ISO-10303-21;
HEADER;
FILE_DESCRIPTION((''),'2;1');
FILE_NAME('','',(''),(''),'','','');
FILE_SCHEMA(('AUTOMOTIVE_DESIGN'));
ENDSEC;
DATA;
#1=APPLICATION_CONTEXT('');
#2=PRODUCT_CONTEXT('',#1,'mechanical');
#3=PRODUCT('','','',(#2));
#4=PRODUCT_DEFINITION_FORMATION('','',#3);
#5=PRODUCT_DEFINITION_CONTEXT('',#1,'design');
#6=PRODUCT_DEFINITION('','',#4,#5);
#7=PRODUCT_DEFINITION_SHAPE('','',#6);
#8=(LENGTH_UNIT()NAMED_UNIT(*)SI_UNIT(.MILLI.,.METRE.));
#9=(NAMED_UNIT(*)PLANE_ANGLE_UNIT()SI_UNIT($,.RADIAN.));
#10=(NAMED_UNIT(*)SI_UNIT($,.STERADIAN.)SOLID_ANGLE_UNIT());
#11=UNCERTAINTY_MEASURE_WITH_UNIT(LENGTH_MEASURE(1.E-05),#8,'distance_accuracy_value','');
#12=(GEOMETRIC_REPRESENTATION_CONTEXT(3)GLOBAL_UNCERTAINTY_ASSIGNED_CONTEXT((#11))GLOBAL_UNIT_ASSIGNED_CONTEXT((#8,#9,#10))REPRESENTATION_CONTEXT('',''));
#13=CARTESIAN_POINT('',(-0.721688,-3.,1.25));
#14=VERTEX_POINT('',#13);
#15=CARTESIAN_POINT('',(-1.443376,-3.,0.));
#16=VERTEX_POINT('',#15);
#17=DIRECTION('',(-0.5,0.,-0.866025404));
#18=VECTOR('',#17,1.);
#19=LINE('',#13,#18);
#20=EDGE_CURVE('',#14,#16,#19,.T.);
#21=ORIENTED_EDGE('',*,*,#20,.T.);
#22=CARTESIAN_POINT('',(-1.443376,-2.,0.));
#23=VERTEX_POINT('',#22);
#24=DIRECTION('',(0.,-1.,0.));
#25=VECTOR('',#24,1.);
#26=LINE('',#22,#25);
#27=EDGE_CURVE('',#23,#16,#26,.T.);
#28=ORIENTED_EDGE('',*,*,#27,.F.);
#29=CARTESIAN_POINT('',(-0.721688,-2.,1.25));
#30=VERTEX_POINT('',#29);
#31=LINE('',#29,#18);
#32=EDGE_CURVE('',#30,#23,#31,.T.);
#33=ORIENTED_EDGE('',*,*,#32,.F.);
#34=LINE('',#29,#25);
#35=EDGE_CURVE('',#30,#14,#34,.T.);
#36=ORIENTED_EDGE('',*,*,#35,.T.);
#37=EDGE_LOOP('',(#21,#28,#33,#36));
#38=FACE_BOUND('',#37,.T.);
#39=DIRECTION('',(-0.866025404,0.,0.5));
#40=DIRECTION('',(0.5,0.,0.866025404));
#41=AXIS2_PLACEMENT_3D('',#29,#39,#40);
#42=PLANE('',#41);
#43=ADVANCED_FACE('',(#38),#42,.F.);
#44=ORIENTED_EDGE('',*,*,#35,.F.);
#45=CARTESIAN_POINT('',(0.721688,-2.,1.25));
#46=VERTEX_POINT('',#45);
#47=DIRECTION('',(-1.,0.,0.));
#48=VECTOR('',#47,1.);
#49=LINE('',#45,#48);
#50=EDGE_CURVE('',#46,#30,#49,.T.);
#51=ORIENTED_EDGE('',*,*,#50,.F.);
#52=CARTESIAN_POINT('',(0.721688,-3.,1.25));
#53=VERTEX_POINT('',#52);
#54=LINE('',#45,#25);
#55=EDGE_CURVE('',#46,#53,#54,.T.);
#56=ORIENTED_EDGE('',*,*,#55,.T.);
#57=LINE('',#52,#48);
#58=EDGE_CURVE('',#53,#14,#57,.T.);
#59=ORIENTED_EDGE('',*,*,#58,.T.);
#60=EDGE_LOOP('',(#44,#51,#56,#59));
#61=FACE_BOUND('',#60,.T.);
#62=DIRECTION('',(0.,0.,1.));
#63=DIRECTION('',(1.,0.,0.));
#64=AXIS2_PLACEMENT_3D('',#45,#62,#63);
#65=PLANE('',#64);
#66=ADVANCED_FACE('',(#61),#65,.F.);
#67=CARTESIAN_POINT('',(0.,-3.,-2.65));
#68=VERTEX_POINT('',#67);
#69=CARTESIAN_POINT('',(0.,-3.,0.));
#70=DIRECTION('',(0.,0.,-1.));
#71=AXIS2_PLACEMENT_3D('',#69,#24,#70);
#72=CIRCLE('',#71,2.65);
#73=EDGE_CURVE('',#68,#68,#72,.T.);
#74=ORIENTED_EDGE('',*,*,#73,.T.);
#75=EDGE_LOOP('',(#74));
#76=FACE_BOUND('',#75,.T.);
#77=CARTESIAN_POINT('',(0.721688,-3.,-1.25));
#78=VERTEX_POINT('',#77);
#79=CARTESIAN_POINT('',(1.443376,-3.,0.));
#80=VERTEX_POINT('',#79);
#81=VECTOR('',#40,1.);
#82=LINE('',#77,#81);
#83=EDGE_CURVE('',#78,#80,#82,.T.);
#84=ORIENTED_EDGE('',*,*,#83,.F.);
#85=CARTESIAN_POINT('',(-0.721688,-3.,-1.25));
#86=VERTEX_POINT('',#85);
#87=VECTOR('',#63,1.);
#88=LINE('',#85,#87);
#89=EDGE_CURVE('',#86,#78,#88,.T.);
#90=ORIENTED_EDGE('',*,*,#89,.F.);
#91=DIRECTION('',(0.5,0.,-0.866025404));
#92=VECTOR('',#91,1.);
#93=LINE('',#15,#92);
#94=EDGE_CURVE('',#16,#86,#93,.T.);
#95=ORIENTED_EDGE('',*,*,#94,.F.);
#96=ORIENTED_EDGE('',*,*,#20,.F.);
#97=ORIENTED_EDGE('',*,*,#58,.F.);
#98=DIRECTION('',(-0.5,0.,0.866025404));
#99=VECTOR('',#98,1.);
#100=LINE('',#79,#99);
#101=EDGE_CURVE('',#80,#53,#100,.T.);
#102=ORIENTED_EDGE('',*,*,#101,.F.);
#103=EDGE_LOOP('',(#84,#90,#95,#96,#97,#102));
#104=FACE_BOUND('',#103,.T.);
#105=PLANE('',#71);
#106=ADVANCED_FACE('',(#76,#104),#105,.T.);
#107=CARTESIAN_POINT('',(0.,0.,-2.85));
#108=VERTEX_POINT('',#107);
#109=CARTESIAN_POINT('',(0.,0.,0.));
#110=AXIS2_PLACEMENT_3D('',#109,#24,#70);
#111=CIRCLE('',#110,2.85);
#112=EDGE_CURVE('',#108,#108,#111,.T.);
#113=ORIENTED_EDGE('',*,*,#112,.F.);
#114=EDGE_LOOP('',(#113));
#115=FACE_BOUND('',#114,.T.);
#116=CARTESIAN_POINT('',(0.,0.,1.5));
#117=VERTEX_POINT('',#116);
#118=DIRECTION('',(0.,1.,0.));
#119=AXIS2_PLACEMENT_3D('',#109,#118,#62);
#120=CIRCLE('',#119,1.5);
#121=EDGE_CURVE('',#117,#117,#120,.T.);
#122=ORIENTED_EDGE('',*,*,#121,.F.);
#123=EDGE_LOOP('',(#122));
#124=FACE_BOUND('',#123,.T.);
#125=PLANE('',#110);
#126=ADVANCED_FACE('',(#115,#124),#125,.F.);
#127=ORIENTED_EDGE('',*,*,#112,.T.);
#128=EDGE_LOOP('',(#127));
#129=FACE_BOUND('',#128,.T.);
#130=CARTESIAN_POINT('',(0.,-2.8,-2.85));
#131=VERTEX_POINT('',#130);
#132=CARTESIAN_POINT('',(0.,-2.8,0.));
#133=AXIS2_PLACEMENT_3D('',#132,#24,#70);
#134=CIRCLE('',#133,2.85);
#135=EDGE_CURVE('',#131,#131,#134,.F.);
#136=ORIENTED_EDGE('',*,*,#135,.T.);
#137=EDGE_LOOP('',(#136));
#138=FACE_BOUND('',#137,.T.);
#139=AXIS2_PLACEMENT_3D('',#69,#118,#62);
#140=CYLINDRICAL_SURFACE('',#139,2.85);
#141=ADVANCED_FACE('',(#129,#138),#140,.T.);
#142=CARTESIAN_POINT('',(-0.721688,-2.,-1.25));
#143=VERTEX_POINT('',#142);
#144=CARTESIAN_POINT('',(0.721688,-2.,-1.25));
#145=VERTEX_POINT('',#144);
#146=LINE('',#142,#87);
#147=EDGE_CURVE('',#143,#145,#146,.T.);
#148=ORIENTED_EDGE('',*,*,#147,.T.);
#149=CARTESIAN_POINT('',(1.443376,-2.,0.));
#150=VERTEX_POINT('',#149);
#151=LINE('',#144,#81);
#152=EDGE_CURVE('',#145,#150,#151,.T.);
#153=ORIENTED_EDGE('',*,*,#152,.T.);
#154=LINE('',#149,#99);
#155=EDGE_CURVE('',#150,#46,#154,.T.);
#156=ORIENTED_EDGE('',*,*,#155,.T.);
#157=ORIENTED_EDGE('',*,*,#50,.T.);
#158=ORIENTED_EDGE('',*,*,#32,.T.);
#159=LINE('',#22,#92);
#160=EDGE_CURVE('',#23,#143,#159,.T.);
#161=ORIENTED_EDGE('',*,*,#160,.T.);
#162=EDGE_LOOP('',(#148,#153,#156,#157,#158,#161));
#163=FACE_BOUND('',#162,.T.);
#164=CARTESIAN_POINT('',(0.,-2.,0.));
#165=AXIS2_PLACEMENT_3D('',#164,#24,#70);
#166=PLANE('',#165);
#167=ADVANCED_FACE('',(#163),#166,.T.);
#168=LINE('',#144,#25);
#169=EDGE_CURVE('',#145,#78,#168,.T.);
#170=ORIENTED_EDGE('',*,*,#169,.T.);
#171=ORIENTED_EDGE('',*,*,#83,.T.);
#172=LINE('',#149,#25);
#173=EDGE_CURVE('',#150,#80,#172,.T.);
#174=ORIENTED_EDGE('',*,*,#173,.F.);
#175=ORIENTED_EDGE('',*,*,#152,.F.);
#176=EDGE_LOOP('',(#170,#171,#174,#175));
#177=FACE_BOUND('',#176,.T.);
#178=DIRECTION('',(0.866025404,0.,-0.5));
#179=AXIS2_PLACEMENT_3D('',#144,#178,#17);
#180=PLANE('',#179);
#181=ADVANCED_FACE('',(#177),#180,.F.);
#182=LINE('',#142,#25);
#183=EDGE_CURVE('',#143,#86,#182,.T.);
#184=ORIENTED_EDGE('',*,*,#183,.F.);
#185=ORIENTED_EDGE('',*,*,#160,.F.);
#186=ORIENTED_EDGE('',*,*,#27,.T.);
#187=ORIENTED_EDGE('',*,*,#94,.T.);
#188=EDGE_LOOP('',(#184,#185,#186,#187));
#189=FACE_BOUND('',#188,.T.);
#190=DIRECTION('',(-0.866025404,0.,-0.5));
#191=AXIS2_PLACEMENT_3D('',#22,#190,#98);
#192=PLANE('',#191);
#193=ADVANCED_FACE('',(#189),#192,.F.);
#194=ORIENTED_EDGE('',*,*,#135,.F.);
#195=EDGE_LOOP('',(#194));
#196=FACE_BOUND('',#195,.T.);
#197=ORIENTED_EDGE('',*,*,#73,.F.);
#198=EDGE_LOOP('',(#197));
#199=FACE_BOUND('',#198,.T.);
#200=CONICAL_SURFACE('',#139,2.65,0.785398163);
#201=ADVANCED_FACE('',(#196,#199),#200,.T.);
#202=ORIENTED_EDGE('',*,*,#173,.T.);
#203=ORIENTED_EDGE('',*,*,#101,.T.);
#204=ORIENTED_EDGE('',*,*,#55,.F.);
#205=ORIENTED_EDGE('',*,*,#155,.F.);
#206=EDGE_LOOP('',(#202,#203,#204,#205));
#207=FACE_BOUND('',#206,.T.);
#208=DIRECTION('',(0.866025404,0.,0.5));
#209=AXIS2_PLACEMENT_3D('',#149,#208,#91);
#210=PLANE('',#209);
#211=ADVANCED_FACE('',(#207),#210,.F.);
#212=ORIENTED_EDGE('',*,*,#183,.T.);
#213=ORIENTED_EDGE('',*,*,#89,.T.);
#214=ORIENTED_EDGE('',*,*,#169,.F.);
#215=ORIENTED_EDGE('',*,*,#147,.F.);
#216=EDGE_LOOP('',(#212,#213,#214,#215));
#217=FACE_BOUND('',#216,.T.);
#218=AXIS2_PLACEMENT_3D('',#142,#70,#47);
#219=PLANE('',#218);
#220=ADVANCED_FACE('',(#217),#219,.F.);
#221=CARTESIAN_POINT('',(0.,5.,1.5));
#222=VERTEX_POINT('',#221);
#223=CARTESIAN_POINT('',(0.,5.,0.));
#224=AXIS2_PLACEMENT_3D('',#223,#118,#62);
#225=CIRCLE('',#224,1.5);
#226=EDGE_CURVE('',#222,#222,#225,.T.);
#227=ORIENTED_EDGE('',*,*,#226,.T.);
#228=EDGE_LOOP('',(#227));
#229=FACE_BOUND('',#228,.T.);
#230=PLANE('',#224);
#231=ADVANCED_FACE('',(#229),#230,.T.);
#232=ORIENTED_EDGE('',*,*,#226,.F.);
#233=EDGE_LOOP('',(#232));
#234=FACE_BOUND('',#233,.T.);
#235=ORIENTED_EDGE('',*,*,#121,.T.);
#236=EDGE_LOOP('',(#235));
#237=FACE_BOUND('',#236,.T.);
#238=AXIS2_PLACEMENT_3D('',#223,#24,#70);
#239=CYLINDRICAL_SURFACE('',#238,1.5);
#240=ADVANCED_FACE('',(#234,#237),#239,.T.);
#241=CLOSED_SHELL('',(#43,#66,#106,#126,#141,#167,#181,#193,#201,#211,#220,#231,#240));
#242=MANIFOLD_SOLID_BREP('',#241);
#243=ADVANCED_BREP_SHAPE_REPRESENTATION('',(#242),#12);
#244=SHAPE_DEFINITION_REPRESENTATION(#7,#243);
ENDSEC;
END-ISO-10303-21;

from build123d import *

# Parameters (mm, degrees)
SKETCH_1_R          = 1.5
EXTRUDE_1_DEPTH     = 5
SKETCH_2_R          = 2.85
EXTRUDE_2_DEPTH     = 3
CUT_EXTRUDE_1_DEPTH = 1
CHAMFER_1_SIZE      = 0.2


with BuildPart() as part:
    # 草图1 → 凸台-拉伸1 (new body)
    with BuildSketch(Plane(origin=(0, 0, 0), x_dir=(1, 0, 0), z_dir=(0, 1, 0))):
        with Locations(Location((0, 0, 0), (0, 0, 270))):
            Circle(SKETCH_1_R)
    extrude(amount=EXTRUDE_1_DEPTH)

    # 草图2 → 凸台-拉伸2 (add)
    with BuildSketch(Plane.XZ):
        with Locations(Location((0, 0, 0), (0, 0, 270))):
            Circle(SKETCH_2_R)
    extrude(amount=EXTRUDE_2_DEPTH)

    # 草图3 → 切除-拉伸1 (cut)
    with BuildSketch(Plane.XZ.offset(3)):
        Polygon((1.443375673, 0), (0.721687836, 1.25), (-0.721687836, 1.25), (-1.443375673, 0), (-0.721687836, -1.25), (0.721687836, -1.25), align=None)
    extrude(amount=-CUT_EXTRUDE_1_DEPTH, mode=Mode.SUBTRACT)

    # 倒角1
    chamfer_1_edges = [part.edges().sort_by_distance(p)[0] for p in [
        (0, -3, 2.85),
    ]]
    chamfer(chamfer_1_edges, length=CHAMFER_1_SIZE)


solid = part.part
